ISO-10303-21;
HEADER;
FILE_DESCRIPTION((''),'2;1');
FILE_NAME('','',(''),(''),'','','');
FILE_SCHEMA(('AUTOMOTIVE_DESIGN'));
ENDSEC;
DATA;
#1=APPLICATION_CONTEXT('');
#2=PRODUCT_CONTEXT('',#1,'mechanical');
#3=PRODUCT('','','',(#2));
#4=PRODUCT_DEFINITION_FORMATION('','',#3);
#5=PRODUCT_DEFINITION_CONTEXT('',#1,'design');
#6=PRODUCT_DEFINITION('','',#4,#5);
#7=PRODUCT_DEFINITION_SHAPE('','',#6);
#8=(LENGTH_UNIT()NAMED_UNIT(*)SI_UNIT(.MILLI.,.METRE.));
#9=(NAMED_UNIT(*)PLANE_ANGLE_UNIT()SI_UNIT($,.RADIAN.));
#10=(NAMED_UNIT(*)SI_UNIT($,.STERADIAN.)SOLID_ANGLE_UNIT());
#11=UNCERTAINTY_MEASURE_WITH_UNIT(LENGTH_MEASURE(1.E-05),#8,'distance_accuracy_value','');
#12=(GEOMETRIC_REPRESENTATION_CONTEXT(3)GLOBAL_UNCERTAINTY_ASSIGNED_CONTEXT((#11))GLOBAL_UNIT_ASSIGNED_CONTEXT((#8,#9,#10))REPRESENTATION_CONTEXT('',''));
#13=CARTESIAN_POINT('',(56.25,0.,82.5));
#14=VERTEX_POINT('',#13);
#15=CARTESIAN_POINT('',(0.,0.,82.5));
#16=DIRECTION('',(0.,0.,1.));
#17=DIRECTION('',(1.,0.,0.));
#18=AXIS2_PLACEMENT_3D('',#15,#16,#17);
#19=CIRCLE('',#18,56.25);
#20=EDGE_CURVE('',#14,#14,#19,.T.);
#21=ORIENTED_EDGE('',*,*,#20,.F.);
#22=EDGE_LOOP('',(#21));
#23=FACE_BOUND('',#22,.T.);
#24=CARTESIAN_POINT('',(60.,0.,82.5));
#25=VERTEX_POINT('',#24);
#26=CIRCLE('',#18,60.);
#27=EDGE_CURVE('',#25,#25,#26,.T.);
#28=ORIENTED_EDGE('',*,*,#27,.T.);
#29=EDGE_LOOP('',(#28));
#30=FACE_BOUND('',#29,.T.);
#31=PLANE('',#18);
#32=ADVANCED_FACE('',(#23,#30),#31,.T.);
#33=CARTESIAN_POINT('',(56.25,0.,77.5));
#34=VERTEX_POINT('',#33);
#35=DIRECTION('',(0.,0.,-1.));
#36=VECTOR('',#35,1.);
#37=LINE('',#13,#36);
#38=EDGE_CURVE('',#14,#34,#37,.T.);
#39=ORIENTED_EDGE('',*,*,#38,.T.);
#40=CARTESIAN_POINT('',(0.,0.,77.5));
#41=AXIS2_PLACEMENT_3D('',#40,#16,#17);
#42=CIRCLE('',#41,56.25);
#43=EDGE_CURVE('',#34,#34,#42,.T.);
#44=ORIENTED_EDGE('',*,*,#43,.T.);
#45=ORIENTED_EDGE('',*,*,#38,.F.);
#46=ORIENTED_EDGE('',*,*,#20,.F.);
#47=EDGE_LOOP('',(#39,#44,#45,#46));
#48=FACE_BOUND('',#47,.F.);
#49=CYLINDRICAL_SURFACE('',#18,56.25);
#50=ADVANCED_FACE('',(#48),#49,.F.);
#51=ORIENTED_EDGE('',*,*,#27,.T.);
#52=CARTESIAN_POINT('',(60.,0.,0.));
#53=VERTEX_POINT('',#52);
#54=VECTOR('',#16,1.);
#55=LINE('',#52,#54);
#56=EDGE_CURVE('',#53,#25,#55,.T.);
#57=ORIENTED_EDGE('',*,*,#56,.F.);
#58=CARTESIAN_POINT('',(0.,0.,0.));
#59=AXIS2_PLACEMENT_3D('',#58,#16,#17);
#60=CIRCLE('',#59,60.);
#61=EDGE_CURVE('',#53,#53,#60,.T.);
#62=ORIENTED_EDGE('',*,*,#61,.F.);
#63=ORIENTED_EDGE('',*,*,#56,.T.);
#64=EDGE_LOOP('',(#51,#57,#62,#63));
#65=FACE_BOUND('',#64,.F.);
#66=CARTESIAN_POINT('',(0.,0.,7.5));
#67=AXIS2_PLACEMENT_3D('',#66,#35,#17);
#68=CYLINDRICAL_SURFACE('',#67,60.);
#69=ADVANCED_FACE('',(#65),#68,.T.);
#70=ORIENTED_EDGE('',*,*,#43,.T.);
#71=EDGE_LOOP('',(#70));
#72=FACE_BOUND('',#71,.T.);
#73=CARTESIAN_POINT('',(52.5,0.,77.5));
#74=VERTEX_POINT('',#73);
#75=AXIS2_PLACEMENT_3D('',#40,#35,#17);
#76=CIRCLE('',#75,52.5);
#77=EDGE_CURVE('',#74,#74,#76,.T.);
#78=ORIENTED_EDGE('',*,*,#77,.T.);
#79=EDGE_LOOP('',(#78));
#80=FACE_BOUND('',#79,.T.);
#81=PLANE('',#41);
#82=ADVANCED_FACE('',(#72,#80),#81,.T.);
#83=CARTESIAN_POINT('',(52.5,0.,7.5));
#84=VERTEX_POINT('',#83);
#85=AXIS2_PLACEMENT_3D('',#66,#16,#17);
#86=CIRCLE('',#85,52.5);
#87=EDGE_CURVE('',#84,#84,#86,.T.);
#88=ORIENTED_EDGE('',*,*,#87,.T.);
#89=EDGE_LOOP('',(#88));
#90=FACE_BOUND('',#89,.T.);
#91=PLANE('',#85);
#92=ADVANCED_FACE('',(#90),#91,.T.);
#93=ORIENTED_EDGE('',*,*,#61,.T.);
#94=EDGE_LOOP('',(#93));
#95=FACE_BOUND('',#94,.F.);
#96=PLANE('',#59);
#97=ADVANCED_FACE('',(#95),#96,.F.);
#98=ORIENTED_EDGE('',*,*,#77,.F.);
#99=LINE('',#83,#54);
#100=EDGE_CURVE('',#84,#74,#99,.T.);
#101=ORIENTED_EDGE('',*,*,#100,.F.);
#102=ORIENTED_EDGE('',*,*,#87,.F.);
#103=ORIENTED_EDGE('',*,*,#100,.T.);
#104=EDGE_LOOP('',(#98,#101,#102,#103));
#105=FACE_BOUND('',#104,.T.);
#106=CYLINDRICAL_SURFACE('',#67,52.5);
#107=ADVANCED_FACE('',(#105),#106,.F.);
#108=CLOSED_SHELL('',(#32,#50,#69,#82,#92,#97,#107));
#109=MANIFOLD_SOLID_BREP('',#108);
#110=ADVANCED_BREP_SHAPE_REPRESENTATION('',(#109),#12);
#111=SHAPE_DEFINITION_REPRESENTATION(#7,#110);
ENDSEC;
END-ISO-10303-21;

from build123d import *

# Parameters (mm, degrees)
F0_R     = 60
F1_DEPTH = 7.5
F2_R     = 60
F2_R_2   = 52.5
F3_DEPTH = 75
F4_R     = 56.25
F5_DEPTH = 5


with BuildPart() as f1:
    # F0 (on Top) → F1 (new body)
    with BuildSketch(Plane.XY):
        Circle(F0_R)
    extrude(amount=F1_DEPTH)

    # F2 (on face) → F3 (join)
    with BuildSketch(Plane.XY.offset(7.5)):
        Circle(F2_R)
        Circle(F2_R_2, mode=Mode.SUBTRACT)
    extrude(amount=F3_DEPTH)

    # F4 (on face) → F5 (cut)
    with BuildSketch(Plane.XY.offset(82.5)):
        Circle(F4_R)
    extrude(amount=-F5_DEPTH, mode=Mode.SUBTRACT)


solid = f1.part
